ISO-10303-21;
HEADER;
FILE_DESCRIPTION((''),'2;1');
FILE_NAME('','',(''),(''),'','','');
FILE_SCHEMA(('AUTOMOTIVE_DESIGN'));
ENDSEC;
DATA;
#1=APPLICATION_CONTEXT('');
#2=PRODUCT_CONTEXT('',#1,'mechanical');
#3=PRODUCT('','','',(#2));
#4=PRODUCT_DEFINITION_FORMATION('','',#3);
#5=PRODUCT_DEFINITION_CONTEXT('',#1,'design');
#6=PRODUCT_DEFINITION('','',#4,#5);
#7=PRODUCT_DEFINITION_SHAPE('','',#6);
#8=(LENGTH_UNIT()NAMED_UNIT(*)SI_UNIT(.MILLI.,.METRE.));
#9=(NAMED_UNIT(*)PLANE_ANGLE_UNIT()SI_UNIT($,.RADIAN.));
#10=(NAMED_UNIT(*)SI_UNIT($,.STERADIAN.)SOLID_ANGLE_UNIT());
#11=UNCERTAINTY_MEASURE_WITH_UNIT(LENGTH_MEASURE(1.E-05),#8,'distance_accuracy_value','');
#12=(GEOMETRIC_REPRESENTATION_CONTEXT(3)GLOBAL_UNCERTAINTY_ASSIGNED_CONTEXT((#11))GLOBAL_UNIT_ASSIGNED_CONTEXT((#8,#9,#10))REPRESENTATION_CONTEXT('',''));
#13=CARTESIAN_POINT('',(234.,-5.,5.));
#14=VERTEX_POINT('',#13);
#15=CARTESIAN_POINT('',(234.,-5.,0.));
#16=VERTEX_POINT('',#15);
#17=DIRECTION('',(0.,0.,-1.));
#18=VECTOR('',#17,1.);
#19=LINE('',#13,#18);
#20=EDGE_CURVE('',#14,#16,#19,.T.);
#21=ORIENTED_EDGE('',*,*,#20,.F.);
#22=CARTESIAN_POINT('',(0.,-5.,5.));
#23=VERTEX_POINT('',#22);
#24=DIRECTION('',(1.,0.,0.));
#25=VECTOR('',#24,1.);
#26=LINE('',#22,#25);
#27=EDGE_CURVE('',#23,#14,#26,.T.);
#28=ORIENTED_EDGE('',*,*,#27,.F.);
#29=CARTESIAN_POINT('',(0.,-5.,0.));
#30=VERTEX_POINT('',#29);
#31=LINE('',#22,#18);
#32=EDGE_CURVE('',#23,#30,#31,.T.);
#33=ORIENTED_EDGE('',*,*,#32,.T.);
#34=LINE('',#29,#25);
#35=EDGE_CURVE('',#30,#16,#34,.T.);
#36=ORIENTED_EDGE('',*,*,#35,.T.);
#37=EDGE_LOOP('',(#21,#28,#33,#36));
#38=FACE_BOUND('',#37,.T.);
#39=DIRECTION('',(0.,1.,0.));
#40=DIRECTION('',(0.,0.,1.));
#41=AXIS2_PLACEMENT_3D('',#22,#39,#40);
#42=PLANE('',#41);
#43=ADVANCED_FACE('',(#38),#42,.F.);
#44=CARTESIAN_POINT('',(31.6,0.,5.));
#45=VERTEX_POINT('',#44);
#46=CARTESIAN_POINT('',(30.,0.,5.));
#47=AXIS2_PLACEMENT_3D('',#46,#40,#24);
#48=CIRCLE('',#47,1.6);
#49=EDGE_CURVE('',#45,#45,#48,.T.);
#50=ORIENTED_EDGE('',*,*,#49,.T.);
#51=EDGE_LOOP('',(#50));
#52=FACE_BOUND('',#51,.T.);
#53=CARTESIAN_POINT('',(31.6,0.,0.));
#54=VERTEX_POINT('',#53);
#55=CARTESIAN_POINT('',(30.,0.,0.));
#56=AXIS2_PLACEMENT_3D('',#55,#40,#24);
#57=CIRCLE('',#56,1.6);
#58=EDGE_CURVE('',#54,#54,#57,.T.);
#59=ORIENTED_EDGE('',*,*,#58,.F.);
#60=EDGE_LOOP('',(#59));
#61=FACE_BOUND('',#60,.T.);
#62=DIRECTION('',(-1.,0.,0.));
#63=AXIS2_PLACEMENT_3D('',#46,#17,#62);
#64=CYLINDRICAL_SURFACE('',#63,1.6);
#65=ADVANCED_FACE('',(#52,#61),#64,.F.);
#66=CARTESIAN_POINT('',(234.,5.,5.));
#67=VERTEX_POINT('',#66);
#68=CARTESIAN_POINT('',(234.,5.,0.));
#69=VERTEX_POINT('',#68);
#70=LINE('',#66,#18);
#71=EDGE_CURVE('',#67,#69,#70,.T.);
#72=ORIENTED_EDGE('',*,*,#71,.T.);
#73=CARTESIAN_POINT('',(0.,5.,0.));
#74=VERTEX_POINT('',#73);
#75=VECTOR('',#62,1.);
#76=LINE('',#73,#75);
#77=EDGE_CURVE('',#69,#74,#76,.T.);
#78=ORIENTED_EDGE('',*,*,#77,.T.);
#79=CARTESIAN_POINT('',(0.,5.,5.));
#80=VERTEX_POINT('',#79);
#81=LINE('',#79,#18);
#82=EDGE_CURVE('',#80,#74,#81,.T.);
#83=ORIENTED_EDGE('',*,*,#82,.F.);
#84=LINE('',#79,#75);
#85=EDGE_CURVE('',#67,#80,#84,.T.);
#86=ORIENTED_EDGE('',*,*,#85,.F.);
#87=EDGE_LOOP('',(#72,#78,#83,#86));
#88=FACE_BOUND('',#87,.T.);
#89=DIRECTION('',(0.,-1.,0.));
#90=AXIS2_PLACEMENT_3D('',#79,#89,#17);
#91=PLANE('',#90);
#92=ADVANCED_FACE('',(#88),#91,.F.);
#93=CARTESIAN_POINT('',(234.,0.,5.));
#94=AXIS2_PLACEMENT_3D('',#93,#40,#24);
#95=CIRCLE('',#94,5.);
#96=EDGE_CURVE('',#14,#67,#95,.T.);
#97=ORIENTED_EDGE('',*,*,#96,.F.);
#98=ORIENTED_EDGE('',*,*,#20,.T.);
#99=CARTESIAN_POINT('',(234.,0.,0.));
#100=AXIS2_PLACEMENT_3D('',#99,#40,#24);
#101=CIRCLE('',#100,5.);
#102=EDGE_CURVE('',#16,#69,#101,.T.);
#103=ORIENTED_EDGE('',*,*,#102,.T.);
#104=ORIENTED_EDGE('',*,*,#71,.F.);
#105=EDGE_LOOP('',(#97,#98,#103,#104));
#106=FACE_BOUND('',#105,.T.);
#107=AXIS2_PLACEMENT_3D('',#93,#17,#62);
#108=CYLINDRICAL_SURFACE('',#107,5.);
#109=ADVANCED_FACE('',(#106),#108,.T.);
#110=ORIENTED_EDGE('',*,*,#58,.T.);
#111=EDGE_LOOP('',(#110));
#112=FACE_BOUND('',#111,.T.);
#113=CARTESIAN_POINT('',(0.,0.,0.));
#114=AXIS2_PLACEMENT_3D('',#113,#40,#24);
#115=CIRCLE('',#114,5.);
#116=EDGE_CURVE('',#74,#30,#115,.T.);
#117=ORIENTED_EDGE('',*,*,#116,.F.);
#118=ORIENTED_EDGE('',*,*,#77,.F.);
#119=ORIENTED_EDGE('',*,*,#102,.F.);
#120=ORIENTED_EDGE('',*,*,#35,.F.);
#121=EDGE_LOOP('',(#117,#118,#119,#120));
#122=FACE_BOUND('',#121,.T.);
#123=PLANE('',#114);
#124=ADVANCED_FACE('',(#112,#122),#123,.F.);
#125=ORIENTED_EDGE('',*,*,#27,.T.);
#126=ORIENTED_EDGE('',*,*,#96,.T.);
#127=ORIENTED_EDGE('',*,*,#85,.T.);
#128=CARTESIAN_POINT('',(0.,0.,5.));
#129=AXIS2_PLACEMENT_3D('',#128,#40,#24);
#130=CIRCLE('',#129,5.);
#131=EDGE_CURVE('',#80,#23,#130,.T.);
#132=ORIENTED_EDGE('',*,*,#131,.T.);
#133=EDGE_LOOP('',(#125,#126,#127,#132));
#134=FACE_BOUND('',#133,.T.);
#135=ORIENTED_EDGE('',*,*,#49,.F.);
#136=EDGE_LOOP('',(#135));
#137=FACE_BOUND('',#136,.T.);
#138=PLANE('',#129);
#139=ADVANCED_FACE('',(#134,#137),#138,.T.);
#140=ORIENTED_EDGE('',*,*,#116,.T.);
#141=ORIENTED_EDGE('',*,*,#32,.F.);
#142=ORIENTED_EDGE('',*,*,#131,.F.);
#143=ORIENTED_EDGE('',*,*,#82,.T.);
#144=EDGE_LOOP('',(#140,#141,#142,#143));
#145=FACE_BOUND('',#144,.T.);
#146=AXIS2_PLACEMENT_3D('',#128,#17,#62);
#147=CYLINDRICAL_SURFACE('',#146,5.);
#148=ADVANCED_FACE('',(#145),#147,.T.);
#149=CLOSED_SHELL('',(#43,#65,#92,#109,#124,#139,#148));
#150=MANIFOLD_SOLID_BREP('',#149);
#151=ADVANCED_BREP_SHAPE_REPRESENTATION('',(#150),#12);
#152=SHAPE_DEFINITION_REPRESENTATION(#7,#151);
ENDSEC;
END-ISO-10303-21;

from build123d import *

# Parameters (mm, degrees)
SKETCH_1_R      = 1.6
EXTRUDE_1_DEPTH = 5


with BuildPart() as part:
    # 草图1 → 凸台-拉伸1 (new body)
    with BuildSketch(Plane.XY):
        with BuildLine():
            Line((0, 5), (234, 5))
            ThreePointArc((234, 5), (239, 0), (234, -5))
            Line((234, -5), (0, -5))
            ThreePointArc((0, -5), (-5, 0), (0, 5))
        make_face()
        with Locations((30, 0)):
            Circle(SKETCH_1_R, mode=Mode.SUBTRACT)
    extrude(amount=EXTRUDE_1_DEPTH)


solid = part.part
